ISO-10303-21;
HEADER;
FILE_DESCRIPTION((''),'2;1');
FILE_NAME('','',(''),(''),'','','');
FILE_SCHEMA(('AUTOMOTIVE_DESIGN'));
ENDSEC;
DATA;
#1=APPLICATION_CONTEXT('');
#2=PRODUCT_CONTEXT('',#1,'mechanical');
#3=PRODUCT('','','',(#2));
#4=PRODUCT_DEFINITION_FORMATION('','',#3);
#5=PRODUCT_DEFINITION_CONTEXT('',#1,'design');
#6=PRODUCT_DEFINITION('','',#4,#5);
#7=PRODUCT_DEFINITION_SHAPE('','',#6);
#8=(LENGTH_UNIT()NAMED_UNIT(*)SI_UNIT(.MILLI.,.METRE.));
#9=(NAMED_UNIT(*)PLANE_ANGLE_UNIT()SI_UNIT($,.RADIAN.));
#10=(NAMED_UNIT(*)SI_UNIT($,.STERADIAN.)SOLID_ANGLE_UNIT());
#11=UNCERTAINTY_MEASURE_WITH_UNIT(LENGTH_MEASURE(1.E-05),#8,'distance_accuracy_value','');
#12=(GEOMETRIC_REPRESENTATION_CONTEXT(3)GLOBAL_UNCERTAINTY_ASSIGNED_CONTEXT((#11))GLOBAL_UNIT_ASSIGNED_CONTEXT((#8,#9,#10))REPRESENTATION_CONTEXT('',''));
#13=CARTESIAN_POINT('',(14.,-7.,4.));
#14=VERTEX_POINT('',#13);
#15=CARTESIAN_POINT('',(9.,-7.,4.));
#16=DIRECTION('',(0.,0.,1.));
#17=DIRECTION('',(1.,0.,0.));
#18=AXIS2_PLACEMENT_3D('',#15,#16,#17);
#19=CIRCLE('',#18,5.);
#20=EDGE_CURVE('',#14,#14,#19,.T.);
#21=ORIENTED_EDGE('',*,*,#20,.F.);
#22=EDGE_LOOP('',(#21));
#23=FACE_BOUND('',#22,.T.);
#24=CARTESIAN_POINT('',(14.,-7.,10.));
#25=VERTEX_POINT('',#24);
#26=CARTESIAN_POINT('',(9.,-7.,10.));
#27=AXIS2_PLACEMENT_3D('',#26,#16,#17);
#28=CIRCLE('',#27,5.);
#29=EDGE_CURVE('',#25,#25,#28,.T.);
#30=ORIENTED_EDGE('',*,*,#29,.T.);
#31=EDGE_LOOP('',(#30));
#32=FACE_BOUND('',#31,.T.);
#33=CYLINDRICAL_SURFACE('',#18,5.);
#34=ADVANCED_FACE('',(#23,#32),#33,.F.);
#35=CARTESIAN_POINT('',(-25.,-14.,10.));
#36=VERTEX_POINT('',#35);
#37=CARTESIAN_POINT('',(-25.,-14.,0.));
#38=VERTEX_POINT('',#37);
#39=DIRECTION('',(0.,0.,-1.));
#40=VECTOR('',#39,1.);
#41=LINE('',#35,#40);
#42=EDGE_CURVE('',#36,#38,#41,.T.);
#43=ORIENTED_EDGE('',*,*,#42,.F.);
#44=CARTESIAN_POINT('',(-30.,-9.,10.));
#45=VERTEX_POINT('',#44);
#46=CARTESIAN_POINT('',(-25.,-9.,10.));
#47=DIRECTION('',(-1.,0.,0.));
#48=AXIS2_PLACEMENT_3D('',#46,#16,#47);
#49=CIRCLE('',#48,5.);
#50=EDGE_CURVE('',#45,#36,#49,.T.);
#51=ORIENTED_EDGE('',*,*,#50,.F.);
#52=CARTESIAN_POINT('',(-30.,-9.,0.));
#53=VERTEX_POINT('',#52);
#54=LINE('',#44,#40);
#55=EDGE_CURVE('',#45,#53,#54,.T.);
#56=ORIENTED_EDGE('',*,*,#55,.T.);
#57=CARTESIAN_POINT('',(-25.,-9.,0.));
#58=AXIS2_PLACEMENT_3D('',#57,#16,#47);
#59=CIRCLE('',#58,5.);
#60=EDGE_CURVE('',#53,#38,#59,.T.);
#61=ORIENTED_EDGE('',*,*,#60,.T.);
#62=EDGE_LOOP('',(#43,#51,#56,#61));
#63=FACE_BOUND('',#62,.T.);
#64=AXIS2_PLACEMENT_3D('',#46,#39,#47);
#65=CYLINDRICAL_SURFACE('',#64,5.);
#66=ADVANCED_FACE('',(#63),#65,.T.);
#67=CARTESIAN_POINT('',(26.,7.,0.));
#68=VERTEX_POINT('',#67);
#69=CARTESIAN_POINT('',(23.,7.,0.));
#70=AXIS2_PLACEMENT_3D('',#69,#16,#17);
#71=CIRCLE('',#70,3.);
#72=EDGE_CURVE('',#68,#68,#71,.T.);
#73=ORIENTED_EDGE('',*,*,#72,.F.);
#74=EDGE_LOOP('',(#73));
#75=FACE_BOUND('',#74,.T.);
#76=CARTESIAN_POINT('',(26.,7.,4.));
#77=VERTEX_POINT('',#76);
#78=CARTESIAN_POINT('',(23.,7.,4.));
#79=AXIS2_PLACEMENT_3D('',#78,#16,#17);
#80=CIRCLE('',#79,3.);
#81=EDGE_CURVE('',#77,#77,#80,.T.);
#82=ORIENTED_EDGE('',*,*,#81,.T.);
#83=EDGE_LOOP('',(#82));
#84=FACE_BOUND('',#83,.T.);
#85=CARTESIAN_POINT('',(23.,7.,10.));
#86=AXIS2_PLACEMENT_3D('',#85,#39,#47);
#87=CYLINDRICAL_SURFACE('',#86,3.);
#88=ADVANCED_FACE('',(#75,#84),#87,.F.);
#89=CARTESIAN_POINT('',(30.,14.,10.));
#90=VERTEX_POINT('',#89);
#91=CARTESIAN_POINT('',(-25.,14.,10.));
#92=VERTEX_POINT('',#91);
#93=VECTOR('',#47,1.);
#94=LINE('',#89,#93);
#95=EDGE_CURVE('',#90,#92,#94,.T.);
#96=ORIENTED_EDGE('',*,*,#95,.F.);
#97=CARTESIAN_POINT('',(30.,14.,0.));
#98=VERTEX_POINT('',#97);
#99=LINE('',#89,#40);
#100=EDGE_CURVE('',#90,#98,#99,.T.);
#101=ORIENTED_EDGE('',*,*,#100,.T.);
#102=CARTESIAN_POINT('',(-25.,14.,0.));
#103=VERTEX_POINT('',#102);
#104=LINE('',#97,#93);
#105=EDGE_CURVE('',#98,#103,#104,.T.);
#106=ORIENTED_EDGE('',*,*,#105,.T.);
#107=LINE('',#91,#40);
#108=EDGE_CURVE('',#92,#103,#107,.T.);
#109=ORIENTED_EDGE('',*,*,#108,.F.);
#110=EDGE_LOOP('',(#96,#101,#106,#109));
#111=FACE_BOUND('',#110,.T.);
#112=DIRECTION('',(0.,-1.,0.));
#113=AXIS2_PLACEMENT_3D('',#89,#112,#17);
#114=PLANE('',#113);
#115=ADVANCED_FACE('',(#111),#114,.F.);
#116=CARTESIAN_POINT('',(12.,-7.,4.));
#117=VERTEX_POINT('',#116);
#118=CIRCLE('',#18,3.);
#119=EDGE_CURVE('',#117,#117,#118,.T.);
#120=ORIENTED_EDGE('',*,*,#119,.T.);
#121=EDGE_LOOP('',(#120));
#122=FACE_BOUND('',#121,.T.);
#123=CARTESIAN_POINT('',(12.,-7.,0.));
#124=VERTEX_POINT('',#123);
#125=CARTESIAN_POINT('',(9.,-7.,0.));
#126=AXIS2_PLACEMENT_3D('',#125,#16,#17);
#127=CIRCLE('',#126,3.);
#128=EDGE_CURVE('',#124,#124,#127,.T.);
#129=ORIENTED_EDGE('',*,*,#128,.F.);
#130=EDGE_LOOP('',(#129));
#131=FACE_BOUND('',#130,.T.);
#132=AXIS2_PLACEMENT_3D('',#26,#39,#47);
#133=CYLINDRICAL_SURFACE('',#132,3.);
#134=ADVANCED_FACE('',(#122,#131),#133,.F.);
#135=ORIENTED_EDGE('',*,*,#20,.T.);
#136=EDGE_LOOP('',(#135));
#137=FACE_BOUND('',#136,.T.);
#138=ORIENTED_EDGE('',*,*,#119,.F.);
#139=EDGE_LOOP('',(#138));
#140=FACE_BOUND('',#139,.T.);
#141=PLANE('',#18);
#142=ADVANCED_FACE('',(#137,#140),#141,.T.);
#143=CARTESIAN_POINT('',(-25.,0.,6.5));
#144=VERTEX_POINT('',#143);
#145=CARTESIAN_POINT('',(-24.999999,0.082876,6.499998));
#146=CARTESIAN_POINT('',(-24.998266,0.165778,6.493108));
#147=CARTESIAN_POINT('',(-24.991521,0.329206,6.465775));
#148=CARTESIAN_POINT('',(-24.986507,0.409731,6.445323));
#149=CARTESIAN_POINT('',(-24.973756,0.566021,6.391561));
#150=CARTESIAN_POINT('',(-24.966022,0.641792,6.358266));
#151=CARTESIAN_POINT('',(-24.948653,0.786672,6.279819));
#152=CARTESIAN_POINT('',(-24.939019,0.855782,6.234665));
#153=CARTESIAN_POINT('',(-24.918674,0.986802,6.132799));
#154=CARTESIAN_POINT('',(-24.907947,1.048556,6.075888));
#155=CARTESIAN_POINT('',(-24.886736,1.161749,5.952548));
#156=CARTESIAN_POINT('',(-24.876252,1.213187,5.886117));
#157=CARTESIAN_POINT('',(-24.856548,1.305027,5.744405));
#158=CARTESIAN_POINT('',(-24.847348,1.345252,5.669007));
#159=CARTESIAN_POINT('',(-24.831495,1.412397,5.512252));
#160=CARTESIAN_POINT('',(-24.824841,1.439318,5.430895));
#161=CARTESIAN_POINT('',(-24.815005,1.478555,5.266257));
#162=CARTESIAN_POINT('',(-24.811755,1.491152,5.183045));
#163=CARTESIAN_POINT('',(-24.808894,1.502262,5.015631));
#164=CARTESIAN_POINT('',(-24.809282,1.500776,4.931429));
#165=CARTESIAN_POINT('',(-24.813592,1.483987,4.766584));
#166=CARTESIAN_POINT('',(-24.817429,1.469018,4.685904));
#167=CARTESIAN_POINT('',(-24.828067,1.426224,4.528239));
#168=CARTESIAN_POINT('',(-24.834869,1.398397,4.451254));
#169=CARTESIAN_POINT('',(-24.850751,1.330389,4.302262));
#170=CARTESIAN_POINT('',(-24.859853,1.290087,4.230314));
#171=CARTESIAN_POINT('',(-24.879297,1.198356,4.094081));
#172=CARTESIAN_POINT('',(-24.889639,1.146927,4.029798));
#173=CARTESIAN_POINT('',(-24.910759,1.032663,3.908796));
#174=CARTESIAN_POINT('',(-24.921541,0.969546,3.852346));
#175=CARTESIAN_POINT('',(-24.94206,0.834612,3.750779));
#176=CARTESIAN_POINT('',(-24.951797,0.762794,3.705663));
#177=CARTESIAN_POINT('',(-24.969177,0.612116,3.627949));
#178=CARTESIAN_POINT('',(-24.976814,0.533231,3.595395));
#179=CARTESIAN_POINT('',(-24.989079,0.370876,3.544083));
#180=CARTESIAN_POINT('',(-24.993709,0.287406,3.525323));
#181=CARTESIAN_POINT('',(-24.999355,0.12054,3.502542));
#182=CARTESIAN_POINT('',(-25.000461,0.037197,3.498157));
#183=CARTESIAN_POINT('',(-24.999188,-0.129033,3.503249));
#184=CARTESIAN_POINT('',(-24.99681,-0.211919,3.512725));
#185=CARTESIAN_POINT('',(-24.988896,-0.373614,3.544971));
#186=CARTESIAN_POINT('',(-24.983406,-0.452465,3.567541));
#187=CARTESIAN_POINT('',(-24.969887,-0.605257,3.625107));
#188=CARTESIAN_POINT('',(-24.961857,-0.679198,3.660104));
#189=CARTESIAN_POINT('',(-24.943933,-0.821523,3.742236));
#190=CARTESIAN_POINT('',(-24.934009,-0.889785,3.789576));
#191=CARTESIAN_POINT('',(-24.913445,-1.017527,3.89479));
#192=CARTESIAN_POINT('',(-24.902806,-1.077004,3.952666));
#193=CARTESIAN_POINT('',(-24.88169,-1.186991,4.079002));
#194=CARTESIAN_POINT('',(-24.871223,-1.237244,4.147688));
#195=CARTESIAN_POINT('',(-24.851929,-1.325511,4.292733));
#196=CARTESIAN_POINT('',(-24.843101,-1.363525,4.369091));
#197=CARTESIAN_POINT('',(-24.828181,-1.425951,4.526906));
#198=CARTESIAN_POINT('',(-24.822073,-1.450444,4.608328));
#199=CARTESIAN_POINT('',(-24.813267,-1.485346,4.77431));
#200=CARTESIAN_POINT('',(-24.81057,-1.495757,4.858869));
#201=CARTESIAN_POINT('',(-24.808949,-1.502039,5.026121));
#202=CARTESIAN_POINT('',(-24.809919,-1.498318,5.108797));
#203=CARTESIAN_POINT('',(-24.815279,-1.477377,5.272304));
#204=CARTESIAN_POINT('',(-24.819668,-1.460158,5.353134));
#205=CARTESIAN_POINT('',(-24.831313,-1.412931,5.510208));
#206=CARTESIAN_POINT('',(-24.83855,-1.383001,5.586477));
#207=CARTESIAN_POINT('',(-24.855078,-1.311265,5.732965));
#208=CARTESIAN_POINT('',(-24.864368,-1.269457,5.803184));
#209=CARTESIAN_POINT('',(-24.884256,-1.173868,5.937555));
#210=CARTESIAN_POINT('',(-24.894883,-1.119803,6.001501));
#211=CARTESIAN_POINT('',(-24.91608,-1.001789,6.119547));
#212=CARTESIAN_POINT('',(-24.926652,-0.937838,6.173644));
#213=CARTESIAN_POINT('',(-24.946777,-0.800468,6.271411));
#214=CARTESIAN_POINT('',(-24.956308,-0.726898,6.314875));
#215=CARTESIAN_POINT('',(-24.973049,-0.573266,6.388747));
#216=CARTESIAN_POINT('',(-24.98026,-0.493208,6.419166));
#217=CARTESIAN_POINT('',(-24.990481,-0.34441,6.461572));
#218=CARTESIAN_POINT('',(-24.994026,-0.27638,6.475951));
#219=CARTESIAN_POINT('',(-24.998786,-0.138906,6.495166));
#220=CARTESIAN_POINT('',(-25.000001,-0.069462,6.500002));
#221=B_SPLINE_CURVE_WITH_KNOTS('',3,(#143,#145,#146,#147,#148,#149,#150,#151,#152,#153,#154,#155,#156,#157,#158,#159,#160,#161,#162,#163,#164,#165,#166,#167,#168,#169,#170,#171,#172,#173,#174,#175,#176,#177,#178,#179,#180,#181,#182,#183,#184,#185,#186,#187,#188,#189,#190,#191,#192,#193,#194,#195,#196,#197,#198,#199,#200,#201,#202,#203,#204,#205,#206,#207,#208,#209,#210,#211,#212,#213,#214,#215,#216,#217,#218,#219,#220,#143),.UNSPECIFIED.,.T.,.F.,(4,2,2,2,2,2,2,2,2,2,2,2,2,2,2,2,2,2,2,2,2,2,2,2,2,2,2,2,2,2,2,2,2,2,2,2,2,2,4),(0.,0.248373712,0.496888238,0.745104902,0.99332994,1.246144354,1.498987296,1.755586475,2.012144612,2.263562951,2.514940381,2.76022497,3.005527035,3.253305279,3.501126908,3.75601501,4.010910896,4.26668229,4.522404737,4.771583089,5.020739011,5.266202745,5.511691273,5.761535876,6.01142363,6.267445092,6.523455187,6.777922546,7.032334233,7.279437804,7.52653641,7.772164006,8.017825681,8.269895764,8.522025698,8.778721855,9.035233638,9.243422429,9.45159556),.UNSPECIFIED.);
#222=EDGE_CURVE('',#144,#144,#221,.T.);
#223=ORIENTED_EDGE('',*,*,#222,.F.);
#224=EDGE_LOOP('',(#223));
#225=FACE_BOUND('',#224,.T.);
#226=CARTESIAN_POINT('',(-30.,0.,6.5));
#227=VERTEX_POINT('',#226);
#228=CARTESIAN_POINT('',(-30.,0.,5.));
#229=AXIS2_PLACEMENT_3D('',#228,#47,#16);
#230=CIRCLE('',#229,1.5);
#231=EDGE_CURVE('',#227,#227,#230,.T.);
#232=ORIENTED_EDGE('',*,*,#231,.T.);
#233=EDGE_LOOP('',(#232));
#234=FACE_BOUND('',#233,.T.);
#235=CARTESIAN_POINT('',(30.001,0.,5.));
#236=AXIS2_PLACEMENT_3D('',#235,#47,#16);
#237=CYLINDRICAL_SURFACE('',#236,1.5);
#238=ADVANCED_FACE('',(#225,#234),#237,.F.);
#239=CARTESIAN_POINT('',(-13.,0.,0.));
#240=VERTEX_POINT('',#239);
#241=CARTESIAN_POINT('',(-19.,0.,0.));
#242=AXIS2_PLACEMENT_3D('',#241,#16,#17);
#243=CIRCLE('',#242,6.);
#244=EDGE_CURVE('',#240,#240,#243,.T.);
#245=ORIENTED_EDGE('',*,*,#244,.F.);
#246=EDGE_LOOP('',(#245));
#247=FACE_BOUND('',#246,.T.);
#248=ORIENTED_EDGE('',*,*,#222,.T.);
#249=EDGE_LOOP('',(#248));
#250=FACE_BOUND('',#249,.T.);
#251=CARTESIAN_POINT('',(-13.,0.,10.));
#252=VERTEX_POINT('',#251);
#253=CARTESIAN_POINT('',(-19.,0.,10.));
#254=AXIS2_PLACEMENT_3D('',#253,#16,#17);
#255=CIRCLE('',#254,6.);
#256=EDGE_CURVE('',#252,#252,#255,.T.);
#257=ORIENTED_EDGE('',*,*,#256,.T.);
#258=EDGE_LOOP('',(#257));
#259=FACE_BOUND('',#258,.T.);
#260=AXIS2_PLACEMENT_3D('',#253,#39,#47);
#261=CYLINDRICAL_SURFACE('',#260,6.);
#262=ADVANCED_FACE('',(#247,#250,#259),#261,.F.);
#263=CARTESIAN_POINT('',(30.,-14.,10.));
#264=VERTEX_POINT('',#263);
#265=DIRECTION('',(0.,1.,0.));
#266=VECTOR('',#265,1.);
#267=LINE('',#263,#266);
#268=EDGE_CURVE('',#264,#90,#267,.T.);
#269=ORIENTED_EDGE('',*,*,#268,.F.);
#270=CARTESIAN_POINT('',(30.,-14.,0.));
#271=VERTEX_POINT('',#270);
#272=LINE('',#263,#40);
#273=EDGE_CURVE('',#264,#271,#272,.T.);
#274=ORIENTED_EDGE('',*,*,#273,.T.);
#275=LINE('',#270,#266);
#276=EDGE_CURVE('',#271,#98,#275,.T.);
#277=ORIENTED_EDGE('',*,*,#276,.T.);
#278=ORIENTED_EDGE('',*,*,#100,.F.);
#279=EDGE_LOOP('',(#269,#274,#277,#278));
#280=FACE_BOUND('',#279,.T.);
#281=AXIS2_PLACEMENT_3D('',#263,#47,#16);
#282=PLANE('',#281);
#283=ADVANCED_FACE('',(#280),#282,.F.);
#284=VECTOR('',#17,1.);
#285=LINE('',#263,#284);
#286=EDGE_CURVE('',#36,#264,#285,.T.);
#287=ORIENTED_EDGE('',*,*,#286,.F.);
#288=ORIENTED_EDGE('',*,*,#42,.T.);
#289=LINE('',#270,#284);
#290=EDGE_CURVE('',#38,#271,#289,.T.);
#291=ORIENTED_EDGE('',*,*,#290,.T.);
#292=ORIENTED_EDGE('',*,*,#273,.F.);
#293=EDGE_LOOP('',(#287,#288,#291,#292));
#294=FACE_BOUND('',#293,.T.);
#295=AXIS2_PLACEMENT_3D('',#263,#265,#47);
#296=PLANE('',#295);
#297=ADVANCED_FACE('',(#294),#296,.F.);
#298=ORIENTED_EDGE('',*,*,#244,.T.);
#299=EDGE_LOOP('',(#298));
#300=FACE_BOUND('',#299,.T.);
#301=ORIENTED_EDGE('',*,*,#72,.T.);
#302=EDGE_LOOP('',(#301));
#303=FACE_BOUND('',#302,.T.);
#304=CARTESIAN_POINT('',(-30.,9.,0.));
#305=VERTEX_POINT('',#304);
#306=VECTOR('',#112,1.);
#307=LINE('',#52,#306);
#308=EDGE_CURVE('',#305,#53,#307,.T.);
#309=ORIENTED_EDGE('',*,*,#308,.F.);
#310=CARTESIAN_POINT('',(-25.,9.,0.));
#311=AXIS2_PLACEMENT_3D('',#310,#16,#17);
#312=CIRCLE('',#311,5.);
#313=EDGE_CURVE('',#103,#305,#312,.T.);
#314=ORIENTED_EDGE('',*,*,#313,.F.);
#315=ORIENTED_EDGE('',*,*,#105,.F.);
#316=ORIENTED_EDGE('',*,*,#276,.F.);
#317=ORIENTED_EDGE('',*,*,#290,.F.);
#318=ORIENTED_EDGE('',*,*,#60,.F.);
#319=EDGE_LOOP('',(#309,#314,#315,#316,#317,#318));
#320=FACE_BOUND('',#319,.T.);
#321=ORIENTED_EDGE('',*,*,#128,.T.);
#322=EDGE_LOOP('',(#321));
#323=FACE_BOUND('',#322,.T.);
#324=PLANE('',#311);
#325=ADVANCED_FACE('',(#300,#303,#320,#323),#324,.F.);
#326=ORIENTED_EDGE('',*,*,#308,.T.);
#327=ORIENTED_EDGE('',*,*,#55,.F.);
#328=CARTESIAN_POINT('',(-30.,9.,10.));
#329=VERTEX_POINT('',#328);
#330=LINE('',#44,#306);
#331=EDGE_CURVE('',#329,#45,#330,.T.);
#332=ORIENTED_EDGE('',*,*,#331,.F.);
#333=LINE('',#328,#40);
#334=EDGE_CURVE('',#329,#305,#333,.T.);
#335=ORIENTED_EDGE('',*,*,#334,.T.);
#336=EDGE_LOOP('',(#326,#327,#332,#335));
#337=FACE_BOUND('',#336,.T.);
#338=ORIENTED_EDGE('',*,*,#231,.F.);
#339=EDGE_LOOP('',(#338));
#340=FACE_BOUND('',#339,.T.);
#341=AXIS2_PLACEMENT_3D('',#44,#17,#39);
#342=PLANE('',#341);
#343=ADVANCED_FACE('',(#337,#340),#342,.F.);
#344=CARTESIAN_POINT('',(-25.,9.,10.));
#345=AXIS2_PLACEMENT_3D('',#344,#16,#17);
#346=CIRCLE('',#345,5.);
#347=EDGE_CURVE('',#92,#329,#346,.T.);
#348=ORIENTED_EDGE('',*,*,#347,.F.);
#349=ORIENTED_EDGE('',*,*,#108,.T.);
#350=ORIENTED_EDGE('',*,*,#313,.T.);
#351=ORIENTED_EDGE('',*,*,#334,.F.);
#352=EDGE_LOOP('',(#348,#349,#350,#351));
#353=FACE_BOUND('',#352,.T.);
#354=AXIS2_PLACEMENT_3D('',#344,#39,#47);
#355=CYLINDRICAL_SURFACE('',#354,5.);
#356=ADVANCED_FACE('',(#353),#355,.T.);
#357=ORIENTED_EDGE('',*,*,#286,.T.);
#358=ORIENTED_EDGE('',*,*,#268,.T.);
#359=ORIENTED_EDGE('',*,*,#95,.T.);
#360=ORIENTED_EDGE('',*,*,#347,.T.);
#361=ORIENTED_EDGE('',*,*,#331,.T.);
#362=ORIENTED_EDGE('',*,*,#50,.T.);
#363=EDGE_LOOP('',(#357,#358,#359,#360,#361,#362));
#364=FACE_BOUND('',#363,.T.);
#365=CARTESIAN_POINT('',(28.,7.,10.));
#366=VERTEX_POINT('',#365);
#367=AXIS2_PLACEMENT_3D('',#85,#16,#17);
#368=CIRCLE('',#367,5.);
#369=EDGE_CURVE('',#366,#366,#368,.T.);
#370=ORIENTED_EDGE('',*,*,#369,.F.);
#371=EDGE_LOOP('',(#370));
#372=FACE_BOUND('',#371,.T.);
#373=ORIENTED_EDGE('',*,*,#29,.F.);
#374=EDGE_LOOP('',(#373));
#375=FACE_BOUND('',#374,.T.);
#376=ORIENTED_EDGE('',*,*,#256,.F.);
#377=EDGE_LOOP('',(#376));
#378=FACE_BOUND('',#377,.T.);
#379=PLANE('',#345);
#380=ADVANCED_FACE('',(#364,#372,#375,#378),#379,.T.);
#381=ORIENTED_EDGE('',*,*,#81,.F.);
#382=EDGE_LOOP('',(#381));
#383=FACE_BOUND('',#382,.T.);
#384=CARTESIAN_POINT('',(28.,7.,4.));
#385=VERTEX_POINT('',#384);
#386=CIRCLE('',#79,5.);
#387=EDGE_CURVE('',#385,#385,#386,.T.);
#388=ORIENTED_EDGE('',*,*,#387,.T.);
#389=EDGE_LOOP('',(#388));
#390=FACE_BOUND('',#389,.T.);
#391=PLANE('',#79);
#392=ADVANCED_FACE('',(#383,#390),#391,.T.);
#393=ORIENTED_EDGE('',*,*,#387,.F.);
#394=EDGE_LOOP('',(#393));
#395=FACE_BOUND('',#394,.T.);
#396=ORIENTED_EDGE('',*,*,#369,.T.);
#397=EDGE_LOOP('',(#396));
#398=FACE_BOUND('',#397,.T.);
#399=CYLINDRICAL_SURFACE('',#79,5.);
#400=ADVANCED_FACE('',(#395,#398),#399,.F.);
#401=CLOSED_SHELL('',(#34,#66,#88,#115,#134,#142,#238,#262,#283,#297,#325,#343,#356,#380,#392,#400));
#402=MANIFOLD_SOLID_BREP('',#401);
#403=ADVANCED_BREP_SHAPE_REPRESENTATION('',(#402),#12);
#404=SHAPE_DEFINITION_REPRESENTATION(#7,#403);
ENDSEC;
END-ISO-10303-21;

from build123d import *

# Parameters (mm, degrees)
IZIM1_R                     = 3
IZIM1_R_2                   = 6
Y_KSEKLIK_EKSTR_ZYON1_DEPTH = 10
KES_EKSTR_ZYON1_REACH       = 64.418
KES_EKSTR_ZYON1_END_RADIUS  = 6
IZIM2_R                     = 1.5
SKETCH1_R                   = 5
CUT_EXTRUDE1_DEPTH          = 6


with BuildPart() as part:
    # Çizim1 → Yükseklik-Ekstrüzyon1 (new body)
    with BuildSketch(Plane.XY):
        with BuildLine():
            Line((30, -14), (-25, -14))
            ThreePointArc((-25, -14), (-28.535533906, -12.535533906), (-30, -9))
            Line((-30, -9), (-30, 9))
            ThreePointArc((-30, 9), (-28.535533906, 12.535533906), (-25, 14))
            Line((-25, 14), (30, 14))
            Line((30, 14), (30, -14))
        make_face()
        with Locations((23, 7)):
            Circle(IZIM1_R, mode=Mode.SUBTRACT)
        with Locations((-19, 0)):
            Circle(IZIM1_R_2, mode=Mode.SUBTRACT)
        with Locations((9, -7)):
            Circle(IZIM1_R, mode=Mode.SUBTRACT)
    extrude(amount=Y_KSEKLIK_EKSTR_ZYON1_DEPTH)

    # Kes-Ekstrüzyon1: up to this cylinder (the profile starts outside it)
    kes_ekstr_zyon1_end = Plane(origin=(-19, 0, 5), z_dir=(0, 0, -1)) * Cylinder(KES_EKSTR_ZYON1_END_RADIUS, 141.836, mode=Mode.PRIVATE)
    # Çizim2 → Kes-Ekstrüzyon1 (cut, up to the surface)
    with BuildSketch(Plane.ZY.offset(30), mode=Mode.PRIVATE) as kes_ekstr_zyon1_sk1:
        with Locations((5, 0)):
            Circle(IZIM2_R)
    kes_ekstr_zyon1_tool1 = extrude(kes_ekstr_zyon1_sk1.sketch, amount=-KES_EKSTR_ZYON1_REACH, mode=Mode.PRIVATE) - kes_ekstr_zyon1_end
    add(kes_ekstr_zyon1_tool1.solids().sort_by_distance((-30, 0, 5))[0], mode=Mode.SUBTRACT)

    # Sketch1 → Cut-Extrude1 (cut)
    with BuildSketch(Plane.XY.offset(10)):
        with Locations((9, -7)):
            Circle(SKETCH1_R)
        with Locations((23, 7)):
            Circle(SKETCH1_R)
    extrude(amount=-CUT_EXTRUDE1_DEPTH, mode=Mode.SUBTRACT)


solid = part.part
